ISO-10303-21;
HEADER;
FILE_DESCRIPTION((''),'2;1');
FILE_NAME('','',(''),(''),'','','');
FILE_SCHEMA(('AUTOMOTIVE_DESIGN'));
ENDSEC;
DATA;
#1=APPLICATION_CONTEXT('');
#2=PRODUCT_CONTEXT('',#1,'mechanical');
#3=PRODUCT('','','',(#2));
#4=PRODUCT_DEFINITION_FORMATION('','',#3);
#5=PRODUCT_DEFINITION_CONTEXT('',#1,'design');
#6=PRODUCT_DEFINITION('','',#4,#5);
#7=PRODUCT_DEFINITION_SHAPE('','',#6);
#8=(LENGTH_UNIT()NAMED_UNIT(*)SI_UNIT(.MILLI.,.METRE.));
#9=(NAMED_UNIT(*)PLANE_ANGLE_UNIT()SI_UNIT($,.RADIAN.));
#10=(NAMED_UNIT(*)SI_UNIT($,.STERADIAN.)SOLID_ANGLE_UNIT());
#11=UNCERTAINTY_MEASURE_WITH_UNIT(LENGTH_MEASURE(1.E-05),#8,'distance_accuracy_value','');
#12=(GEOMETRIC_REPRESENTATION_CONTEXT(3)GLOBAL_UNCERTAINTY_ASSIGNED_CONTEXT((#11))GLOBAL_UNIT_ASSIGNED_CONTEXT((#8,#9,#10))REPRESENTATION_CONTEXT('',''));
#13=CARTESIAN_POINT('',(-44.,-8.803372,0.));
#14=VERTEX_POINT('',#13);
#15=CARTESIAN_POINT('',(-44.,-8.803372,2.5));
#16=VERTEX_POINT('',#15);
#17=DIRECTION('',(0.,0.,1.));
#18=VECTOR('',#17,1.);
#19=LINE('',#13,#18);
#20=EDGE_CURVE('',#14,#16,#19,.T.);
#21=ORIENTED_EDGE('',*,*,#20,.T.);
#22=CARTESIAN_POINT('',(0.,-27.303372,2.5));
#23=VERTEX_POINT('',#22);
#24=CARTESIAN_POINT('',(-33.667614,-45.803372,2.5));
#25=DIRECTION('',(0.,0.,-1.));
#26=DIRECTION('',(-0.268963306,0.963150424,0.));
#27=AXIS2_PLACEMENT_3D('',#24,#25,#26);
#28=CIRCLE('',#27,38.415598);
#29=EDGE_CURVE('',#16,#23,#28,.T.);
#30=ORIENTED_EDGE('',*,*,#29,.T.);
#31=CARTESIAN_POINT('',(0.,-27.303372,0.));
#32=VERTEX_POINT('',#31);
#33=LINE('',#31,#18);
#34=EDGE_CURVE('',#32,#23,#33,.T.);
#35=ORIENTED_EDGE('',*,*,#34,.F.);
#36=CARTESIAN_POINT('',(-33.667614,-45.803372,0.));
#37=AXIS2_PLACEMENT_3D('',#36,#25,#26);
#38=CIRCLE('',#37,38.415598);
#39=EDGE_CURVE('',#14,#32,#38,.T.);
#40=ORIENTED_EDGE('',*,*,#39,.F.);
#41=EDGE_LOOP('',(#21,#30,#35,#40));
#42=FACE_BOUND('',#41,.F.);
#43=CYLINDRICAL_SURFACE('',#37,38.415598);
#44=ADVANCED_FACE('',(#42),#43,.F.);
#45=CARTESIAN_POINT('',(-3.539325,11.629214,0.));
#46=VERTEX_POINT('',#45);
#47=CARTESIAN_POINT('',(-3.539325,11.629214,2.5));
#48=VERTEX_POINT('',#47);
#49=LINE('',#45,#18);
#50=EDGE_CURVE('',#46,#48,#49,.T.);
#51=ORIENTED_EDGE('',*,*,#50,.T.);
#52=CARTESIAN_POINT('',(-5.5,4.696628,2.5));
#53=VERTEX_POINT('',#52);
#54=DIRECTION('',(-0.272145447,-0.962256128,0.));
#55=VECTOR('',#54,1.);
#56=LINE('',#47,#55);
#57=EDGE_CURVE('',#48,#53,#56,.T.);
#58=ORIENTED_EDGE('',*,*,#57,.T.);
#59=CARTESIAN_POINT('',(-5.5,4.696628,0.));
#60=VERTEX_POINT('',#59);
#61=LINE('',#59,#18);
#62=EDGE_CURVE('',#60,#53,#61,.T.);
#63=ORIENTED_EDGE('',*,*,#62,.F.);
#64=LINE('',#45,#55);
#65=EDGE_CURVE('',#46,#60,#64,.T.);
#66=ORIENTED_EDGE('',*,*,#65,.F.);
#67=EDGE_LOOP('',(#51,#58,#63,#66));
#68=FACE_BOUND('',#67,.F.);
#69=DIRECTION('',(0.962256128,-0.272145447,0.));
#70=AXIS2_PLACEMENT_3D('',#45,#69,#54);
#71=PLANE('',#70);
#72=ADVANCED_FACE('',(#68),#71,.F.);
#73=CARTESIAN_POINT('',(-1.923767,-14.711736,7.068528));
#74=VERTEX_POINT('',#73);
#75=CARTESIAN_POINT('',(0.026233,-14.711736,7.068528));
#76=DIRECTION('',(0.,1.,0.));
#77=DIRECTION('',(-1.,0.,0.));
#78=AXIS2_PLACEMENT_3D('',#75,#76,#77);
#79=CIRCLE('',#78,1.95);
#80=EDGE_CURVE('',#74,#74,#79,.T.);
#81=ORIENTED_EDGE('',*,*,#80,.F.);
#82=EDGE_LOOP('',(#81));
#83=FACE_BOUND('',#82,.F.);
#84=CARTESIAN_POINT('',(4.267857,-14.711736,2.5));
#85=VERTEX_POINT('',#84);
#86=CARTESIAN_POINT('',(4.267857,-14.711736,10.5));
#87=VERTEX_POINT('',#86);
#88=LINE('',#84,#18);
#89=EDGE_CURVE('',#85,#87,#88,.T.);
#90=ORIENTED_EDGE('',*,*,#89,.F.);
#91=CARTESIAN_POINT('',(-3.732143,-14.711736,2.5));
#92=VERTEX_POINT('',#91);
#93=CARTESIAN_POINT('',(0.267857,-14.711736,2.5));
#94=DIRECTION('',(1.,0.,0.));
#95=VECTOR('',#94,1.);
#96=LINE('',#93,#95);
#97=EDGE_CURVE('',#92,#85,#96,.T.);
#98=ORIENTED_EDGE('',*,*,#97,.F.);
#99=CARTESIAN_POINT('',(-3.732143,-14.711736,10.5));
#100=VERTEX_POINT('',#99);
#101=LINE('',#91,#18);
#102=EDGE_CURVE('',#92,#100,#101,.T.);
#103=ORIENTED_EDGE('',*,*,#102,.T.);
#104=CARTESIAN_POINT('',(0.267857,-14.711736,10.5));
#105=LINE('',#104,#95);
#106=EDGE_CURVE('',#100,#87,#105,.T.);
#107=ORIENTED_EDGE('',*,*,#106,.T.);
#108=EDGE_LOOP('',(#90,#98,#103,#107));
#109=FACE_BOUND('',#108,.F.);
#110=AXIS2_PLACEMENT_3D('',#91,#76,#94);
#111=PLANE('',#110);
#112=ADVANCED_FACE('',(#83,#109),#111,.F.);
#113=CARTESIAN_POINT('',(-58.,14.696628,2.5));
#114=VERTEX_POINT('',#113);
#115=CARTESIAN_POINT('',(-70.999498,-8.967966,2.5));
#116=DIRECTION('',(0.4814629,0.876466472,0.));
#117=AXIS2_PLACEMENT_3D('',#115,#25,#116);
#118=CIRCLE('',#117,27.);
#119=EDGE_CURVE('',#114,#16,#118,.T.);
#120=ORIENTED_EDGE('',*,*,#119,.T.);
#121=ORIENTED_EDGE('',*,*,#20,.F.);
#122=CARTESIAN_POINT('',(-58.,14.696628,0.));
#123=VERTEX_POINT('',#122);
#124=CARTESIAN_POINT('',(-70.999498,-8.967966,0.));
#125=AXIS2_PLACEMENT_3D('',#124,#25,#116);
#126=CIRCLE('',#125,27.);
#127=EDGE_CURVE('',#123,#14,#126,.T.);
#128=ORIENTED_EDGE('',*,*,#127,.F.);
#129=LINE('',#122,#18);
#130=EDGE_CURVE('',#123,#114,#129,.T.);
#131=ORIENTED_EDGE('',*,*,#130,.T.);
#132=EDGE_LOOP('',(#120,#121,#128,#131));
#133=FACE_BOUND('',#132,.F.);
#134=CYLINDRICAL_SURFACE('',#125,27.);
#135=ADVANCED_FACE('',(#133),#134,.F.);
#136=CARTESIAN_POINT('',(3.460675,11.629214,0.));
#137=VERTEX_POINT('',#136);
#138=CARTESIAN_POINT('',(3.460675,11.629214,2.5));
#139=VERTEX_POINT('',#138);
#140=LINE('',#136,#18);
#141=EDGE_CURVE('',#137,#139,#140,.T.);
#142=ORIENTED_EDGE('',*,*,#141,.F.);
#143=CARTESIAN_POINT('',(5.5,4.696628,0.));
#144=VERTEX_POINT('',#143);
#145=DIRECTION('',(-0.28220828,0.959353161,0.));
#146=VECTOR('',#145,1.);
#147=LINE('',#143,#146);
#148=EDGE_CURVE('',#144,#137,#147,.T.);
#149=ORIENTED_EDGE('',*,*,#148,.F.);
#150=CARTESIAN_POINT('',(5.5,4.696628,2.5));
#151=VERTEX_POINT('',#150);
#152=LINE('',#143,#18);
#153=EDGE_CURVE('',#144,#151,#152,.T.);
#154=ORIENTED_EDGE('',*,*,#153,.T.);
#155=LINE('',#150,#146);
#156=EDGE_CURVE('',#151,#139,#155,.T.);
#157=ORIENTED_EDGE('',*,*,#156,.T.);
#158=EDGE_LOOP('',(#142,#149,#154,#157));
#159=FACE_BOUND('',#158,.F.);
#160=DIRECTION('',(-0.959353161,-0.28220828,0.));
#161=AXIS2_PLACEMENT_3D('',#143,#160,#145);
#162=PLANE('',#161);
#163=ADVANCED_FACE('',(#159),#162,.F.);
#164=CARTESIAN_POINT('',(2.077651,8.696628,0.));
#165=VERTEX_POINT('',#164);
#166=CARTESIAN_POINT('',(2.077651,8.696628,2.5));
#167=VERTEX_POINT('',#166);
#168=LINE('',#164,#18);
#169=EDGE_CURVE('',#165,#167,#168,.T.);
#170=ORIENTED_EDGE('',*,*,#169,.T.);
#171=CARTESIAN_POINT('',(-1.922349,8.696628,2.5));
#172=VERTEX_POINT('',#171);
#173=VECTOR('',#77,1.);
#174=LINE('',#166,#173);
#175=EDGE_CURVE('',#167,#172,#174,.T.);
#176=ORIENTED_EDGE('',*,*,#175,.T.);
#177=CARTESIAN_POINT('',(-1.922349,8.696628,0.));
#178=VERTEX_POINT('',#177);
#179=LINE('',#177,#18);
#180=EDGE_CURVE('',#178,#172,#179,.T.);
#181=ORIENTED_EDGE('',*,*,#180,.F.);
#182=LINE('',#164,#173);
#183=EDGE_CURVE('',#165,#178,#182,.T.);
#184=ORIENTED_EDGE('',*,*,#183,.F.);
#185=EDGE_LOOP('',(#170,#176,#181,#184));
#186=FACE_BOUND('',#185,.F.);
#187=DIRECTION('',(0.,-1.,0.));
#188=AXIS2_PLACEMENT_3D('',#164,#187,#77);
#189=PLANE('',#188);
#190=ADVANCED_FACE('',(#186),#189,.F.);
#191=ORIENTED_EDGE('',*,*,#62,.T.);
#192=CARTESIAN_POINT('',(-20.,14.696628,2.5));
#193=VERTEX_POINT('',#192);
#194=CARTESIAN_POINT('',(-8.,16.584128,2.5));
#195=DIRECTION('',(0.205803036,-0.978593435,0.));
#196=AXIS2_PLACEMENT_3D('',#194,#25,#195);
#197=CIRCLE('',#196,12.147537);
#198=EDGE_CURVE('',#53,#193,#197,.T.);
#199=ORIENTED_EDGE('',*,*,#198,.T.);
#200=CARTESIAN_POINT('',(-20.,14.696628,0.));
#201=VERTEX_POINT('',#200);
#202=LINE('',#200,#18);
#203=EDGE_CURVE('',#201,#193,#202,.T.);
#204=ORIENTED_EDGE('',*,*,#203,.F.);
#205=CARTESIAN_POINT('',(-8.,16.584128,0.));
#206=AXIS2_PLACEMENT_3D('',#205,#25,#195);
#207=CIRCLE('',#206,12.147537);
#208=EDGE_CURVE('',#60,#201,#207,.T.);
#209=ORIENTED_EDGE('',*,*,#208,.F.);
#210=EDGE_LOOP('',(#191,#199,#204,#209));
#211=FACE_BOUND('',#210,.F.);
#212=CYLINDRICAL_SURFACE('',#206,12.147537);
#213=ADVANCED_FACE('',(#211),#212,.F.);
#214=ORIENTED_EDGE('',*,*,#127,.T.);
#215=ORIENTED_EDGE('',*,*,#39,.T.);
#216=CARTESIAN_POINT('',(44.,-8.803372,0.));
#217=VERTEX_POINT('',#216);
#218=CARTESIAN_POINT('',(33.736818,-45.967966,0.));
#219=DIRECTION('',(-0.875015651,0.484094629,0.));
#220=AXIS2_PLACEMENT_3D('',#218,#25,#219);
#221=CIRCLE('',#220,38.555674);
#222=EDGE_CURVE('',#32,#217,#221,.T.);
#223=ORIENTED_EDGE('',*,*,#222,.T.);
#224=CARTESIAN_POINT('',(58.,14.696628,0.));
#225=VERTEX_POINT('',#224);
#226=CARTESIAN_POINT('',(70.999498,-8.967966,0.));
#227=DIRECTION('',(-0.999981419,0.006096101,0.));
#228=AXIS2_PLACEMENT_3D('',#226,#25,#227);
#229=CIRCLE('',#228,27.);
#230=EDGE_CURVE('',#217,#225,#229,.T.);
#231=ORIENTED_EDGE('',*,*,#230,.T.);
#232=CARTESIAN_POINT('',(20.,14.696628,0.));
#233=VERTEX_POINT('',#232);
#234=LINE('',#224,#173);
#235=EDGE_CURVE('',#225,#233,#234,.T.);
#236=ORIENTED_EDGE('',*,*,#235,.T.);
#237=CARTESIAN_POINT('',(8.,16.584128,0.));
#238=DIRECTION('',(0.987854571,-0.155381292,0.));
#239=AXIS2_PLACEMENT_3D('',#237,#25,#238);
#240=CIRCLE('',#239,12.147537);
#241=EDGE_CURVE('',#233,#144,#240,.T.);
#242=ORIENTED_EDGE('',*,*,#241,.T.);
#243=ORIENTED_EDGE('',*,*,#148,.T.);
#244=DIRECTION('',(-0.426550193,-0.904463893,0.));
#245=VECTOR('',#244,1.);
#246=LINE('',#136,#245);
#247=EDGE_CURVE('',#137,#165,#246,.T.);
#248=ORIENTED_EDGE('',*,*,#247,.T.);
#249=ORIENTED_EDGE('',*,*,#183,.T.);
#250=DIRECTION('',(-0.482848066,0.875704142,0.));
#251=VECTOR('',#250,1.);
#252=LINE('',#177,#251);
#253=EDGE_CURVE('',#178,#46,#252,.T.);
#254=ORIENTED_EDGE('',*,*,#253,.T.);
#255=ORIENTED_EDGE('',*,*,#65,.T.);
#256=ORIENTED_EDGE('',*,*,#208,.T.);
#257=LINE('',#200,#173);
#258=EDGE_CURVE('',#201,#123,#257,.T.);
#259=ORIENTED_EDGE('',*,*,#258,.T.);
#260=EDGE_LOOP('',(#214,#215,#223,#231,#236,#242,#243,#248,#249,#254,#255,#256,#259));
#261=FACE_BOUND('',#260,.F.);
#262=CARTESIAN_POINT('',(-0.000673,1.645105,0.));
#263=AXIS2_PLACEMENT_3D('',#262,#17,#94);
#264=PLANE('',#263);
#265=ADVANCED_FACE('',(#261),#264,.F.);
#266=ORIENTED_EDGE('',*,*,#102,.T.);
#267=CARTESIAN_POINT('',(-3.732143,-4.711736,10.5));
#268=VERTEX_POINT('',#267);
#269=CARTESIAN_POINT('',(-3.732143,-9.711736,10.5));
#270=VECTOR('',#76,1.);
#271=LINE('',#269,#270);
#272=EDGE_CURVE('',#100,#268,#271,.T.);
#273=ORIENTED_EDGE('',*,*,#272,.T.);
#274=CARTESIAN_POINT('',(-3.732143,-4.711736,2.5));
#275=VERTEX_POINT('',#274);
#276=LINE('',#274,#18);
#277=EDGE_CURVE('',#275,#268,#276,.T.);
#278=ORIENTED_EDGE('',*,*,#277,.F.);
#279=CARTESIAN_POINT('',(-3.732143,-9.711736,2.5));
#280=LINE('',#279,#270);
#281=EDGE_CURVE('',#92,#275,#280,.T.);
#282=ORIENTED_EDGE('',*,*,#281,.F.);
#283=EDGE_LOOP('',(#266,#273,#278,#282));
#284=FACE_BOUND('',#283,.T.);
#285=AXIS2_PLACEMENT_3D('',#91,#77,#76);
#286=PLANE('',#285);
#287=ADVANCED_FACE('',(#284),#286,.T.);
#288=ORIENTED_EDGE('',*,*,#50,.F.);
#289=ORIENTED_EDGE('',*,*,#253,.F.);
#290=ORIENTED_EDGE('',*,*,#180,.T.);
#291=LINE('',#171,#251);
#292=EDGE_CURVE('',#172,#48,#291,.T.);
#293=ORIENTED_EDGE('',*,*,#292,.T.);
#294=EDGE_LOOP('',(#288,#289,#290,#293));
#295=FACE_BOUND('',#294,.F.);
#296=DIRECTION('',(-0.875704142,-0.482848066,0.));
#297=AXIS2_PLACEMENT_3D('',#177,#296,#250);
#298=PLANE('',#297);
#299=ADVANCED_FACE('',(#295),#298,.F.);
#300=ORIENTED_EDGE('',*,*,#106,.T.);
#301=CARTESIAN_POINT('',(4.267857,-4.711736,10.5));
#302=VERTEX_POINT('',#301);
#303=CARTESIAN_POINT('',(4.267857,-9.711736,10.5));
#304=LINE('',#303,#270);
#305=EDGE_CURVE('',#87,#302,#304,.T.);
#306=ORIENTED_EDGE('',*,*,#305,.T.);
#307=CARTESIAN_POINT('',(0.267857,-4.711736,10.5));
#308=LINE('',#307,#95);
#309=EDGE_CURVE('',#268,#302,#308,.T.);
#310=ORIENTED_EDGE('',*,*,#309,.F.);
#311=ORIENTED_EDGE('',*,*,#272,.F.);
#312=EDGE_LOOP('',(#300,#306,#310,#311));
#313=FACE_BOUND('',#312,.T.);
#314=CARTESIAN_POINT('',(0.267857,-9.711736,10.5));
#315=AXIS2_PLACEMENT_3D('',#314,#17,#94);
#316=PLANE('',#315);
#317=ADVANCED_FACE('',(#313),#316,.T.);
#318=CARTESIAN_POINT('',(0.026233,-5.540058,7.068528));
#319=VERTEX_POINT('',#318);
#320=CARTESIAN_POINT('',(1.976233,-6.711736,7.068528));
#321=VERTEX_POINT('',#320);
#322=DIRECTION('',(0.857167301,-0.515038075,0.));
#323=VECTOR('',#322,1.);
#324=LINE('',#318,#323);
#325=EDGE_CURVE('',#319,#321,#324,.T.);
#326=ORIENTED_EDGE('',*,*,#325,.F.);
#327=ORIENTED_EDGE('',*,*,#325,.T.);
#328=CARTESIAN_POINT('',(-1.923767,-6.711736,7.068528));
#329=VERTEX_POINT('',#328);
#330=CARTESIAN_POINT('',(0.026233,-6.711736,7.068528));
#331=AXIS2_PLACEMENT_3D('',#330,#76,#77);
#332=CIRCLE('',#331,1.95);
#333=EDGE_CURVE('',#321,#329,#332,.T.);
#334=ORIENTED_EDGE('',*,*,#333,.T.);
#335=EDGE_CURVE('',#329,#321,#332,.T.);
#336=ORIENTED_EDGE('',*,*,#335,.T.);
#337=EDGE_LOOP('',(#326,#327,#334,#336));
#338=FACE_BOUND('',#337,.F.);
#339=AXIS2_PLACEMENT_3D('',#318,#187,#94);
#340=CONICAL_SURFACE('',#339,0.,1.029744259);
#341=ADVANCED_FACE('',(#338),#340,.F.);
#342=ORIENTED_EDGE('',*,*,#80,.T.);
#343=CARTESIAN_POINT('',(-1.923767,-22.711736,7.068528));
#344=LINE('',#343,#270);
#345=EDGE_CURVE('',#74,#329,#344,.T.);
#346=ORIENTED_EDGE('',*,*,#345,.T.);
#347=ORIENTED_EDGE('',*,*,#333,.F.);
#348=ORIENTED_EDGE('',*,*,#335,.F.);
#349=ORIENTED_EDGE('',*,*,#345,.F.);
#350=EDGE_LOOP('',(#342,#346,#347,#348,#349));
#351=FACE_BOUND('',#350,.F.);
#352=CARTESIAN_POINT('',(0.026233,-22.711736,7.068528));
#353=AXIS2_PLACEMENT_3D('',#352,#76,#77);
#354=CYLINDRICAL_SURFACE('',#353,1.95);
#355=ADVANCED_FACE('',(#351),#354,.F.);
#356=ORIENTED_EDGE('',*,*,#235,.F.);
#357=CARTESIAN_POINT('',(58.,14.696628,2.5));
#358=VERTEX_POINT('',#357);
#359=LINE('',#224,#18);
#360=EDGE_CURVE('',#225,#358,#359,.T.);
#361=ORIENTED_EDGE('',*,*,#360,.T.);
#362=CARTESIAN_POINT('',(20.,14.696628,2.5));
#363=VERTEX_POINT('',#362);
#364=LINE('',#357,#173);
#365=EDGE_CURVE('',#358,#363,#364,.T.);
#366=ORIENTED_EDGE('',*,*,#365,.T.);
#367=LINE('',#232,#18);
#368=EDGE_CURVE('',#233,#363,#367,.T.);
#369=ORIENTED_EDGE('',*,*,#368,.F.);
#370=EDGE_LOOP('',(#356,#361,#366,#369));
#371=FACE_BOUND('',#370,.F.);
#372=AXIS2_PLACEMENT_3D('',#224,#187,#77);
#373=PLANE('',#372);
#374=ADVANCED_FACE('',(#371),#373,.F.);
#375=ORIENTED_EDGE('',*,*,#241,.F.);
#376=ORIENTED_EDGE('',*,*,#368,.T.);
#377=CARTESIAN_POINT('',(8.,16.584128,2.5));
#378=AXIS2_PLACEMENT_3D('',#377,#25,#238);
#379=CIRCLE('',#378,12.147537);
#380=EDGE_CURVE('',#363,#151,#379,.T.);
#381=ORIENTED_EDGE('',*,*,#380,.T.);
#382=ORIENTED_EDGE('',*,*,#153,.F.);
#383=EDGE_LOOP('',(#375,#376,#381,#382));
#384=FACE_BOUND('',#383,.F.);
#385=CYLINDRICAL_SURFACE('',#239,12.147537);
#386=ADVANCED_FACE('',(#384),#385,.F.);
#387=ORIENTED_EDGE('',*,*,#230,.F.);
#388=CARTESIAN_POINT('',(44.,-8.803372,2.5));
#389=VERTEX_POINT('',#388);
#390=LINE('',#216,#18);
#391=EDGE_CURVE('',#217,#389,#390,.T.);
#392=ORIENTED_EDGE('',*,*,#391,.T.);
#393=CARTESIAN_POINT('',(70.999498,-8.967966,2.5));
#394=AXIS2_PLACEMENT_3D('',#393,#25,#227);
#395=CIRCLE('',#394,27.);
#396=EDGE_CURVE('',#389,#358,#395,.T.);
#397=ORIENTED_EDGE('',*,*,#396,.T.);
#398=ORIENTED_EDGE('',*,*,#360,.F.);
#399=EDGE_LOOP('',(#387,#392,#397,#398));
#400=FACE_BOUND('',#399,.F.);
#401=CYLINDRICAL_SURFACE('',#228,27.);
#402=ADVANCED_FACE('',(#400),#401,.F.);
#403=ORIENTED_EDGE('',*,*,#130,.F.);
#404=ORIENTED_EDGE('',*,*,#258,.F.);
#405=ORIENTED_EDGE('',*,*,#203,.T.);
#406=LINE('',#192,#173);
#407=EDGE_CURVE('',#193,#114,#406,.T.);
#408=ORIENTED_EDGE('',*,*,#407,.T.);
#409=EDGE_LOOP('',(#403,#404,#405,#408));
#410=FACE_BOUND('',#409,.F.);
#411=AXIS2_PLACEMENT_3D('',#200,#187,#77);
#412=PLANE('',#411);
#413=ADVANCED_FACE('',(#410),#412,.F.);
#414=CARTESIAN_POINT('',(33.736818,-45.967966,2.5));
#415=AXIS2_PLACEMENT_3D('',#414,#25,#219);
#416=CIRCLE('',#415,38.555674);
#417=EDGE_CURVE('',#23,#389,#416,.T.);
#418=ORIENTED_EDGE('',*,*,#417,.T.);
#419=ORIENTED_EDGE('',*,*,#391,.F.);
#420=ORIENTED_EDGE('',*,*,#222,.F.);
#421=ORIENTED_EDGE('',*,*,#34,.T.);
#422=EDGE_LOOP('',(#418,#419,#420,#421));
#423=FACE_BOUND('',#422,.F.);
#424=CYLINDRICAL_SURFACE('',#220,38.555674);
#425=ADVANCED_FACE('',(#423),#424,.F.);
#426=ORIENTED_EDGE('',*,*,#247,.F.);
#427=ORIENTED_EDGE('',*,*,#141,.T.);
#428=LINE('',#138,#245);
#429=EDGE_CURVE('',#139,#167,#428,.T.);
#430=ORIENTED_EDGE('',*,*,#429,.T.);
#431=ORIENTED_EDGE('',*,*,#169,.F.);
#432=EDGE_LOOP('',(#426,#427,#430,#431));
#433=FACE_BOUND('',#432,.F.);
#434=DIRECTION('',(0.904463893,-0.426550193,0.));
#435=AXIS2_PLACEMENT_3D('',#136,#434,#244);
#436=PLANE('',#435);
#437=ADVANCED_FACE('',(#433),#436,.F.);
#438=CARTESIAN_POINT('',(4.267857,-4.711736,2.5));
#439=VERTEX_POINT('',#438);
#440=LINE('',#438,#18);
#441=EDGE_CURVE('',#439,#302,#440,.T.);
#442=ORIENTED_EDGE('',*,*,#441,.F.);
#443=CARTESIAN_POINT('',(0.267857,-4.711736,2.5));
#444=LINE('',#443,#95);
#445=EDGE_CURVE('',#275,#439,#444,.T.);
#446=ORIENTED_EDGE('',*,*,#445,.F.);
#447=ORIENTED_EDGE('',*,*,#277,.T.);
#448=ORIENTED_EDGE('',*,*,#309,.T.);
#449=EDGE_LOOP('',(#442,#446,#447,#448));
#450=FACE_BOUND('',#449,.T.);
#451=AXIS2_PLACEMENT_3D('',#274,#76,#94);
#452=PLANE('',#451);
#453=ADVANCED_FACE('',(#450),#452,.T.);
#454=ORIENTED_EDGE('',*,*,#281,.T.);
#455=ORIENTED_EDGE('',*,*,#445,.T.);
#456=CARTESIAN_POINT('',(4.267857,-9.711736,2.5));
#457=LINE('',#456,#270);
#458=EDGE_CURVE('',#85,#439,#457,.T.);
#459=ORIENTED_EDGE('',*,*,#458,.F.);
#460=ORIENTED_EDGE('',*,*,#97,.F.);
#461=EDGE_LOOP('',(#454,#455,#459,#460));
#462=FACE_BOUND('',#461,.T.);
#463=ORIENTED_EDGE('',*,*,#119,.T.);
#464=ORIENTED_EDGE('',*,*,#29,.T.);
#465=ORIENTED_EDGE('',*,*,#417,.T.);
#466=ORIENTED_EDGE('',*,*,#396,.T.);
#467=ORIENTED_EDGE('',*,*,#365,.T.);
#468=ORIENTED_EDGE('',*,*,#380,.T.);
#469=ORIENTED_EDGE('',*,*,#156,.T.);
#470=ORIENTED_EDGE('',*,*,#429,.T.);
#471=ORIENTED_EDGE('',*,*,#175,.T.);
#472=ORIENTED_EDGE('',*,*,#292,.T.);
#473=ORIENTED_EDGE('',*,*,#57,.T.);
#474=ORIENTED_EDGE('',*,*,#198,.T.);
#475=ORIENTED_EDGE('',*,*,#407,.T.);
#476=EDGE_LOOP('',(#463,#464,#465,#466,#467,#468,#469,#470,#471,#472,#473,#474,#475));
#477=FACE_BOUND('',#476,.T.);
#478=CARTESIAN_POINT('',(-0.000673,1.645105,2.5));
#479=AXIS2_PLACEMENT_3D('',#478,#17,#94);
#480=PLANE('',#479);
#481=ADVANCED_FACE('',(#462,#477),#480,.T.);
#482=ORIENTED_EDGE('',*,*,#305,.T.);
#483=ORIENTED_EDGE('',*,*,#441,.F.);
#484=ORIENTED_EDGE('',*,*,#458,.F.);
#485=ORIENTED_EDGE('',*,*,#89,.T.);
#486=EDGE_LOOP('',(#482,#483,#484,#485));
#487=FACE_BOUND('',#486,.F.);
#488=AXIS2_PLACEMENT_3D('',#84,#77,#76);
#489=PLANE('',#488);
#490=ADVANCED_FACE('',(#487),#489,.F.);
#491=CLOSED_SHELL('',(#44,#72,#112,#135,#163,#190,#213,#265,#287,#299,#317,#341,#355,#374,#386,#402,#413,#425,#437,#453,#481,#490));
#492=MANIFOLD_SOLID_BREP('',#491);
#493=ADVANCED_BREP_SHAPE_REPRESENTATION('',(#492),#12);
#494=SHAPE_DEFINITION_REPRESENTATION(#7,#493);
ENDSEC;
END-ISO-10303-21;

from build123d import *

# Parameters (mm, degrees)
F1_DEPTH = 2.5
F2_W     = 8
F2_H     = 10
F3_DEPTH = 8
F5_D     = 3.9
F5_DEPTH = 8
F5_TIP   = 1.1716782071


with BuildPart() as f1:
    # F0 (on Top) → F1 (new body)
    with BuildSketch(Plane.XY):
        with BuildLine():
            Line((-20.0000001545, 14.6966284215), (-58.0000001545, 14.6966284215))
            ThreePointArc((-58.0000001545, 14.6966284215), (-47.8037567712, 4.8507734158), (-44.0000001545, -8.8033715785))
            ThreePointArc((-44.0000001545, -8.8033715785), (-18.7781642386, -10.3906266976), (-1.545e-07, -27.3033715785))
            ThreePointArc((-1.545e-07, -27.3033715785), (18.7930768405, -10.4260952422), (43.9999998455, -8.8033715785))
            ThreePointArc((43.9999998455, -8.8033715785), (47.8037564623, 4.8507734158), (57.9999998455, 14.6966284215))
            Line((57.9999998455, 14.6966284215), (19.9999998455, 14.6966284215))
            ThreePointArc((19.9999998455, 14.6966284215), (14.8965569576, 6.584120609), (5.4999998455, 4.6966284215))
            Line((5.4999998455, 4.6966284215), (3.4606747963, 11.629213579))
            Line((3.4606747963, 11.629213579), (2.0776513566, 8.6966284215))
            Line((2.0776513566, 8.6966284215), (-1.9223486434, 8.6966284215))
            Line((-1.9223486434, 8.6966284215), (-3.5393252037, 11.629213579))
            Line((-3.5393252037, 11.629213579), (-5.5000001545, 4.6966284215))
            ThreePointArc((-5.5000001545, 4.6966284215), (-14.8965572665, 6.584120609), (-20.0000001545, 14.6966284215))
        make_face()
    extrude(amount=F1_DEPTH)

    # F2 (on face) → F3 (join)
    with BuildSketch(Plane.XY.offset(2.5)):
        with Locations((0.2678574529, -9.7117358875)):
            Rectangle(F2_W, F2_H)
    extrude(amount=F3_DEPTH)

    # F5
    with Locations(Plane.XZ.offset(14.7117358875)):
        with Locations((0.0262330668, 7.0685278624)):
            Hole(F5_D / 2, depth=F5_DEPTH)
            with Locations((0, 0, -(F5_DEPTH + F5_TIP / 2))):  # 118° drill point
                Cone(0, F5_D / 2, F5_TIP, mode=Mode.SUBTRACT)


solid = f1.part
